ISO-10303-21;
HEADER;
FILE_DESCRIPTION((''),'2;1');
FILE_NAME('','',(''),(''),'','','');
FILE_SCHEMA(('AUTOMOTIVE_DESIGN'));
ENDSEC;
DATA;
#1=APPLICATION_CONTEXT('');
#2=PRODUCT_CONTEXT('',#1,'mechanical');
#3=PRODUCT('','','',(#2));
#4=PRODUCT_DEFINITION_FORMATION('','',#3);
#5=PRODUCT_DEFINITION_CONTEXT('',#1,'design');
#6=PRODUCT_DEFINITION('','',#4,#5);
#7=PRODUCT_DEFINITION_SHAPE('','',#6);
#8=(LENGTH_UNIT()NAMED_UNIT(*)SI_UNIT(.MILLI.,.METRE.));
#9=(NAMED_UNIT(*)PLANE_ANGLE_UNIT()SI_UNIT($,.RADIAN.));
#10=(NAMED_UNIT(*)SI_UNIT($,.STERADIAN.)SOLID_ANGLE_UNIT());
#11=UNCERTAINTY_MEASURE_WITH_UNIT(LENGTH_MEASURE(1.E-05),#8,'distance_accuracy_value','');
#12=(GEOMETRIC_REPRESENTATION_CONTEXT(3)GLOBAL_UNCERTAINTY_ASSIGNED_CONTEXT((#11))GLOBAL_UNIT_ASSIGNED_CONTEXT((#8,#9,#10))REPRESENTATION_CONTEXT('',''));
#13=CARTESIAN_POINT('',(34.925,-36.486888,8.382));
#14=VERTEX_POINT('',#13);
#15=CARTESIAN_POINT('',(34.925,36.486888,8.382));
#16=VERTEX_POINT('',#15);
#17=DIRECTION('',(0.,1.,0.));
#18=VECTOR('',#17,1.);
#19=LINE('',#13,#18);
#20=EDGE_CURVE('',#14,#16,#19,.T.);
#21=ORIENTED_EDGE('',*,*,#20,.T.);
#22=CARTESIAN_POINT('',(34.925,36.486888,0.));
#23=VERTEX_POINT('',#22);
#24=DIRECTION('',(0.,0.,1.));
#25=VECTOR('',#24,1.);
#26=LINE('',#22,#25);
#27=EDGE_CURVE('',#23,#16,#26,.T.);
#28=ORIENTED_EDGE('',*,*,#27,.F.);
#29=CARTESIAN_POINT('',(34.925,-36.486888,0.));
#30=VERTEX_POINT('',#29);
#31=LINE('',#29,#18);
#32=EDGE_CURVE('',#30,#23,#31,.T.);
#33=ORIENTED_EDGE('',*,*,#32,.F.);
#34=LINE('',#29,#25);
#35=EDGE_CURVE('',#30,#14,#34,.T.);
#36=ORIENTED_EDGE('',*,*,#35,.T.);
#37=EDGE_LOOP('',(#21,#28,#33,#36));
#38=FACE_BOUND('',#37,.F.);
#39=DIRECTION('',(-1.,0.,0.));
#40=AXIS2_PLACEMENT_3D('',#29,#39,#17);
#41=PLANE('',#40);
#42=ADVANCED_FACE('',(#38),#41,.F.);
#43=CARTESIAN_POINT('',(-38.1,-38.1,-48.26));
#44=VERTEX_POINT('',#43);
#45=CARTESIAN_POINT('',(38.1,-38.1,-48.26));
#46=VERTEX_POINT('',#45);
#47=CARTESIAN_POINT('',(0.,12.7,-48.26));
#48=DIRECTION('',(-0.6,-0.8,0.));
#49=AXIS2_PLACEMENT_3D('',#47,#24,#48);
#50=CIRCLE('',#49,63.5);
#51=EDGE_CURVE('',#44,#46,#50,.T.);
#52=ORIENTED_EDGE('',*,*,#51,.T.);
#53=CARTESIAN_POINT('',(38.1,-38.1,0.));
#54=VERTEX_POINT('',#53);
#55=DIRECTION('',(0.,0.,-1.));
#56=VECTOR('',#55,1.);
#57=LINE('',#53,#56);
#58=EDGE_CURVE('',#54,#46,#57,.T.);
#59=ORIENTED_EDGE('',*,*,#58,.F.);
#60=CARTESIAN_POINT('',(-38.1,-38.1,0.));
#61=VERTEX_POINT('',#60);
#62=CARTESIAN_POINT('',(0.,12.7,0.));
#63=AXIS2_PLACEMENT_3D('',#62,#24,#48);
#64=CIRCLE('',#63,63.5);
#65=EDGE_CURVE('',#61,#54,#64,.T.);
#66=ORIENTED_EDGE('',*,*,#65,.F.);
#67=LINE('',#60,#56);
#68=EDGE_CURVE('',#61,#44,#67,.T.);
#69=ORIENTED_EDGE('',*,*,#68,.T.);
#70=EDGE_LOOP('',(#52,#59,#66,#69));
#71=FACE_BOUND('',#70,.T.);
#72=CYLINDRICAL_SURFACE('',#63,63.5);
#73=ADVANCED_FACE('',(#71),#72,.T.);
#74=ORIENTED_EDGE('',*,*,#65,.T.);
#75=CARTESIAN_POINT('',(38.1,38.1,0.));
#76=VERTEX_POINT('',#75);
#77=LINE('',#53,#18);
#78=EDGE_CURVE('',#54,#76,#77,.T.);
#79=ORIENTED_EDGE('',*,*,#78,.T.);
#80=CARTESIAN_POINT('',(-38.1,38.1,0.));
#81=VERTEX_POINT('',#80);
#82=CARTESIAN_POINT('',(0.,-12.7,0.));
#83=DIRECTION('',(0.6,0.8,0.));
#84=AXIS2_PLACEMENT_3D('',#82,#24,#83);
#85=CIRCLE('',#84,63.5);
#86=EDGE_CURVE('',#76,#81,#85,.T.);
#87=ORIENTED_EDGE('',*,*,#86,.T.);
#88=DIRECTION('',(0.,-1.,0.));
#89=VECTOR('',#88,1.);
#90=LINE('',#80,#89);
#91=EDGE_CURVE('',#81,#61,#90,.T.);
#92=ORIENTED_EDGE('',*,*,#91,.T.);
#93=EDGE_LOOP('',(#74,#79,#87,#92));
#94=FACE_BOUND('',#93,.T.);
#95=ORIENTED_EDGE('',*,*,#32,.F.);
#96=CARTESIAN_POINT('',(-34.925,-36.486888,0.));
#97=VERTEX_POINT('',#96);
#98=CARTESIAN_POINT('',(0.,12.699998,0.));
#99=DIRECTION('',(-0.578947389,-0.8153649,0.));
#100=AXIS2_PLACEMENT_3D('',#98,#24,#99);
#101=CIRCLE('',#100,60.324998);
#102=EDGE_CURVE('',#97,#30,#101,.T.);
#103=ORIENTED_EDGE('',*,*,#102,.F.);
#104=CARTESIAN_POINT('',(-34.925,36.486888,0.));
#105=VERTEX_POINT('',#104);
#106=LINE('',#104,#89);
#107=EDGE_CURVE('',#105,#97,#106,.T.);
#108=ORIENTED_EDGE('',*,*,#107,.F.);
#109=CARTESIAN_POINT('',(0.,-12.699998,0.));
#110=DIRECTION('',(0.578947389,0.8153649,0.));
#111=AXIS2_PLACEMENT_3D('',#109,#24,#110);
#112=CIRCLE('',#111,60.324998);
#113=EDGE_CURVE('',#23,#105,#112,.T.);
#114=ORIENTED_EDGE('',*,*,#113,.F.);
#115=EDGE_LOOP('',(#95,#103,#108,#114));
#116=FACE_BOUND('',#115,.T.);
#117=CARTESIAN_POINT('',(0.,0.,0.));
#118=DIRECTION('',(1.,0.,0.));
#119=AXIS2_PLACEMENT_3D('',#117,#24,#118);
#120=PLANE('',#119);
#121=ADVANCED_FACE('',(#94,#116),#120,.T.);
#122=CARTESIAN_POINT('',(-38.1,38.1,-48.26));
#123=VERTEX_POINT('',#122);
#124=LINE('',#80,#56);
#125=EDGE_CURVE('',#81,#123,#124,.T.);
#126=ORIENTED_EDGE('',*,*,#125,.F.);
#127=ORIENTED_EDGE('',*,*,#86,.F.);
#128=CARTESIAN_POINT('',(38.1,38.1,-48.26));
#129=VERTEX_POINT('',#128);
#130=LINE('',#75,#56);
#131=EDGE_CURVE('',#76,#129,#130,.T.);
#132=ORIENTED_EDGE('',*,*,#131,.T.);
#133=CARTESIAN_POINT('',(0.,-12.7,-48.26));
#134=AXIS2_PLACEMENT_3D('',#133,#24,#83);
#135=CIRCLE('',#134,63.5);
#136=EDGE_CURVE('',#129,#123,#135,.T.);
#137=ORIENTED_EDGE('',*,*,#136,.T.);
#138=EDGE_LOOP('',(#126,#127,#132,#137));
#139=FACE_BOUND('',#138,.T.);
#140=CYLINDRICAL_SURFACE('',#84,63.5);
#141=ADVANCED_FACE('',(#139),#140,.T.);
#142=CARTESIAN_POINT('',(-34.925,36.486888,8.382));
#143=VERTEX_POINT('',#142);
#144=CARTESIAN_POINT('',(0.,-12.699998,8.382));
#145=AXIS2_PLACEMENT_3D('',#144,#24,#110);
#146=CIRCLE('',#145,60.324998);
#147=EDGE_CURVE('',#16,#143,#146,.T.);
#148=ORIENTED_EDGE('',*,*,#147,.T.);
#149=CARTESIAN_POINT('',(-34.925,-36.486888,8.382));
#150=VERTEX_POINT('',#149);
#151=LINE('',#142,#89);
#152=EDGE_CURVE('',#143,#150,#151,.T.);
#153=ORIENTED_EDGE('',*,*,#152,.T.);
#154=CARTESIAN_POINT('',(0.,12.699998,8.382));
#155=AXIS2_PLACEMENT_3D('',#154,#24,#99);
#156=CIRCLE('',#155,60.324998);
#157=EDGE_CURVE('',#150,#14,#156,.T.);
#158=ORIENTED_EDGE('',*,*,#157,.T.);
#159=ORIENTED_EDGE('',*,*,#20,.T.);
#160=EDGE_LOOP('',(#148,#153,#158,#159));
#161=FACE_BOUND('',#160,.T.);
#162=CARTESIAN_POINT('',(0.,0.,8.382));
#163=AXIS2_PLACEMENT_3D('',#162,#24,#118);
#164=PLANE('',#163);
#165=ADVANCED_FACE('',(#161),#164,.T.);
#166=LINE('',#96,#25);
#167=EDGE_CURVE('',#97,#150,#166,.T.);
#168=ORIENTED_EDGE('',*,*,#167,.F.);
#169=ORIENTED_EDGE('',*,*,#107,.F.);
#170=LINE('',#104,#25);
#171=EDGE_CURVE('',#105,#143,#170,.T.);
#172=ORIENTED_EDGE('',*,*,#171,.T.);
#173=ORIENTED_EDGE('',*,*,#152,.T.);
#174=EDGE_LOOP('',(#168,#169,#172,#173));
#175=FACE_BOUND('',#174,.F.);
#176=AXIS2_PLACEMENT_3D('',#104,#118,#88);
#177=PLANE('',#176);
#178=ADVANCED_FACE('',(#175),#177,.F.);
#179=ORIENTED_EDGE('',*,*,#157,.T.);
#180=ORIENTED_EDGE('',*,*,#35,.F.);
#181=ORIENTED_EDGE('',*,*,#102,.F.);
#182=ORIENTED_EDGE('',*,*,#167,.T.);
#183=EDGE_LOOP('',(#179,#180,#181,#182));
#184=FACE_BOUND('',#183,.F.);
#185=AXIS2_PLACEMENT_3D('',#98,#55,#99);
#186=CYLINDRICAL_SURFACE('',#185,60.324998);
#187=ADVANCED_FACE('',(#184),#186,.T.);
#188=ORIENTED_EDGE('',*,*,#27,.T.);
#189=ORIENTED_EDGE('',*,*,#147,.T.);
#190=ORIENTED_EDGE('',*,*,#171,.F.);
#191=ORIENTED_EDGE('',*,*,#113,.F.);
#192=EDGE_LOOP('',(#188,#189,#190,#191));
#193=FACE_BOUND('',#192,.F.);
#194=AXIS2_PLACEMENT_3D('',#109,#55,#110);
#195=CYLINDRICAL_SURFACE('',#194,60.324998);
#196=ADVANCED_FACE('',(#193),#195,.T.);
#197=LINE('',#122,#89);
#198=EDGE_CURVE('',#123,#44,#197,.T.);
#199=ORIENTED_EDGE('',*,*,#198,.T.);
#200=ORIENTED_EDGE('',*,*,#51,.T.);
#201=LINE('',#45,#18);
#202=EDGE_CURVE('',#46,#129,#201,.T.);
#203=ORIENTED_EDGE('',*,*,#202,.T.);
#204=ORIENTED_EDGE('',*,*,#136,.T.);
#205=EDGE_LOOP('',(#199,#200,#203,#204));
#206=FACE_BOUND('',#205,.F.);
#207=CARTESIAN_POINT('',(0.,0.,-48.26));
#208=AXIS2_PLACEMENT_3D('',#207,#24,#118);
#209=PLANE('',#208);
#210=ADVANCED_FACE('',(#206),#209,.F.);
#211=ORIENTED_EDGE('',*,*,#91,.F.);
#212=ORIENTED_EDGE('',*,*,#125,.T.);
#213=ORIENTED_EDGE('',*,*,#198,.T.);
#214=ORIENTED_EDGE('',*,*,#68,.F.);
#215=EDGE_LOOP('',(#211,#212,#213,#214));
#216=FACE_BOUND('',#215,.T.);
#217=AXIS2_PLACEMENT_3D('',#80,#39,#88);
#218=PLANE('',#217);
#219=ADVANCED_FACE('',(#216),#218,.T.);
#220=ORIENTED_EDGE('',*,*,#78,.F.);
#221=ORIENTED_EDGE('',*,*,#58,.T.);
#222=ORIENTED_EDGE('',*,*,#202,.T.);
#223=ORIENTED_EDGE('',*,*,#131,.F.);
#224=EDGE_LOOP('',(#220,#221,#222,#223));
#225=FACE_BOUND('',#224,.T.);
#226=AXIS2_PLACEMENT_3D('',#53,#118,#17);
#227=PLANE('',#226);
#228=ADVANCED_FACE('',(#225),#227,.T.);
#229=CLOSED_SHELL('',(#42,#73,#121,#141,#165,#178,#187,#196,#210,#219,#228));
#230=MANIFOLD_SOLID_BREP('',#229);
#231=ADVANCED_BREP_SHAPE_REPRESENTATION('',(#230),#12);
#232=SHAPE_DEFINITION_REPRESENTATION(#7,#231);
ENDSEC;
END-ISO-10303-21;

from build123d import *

# Parameters (mm, degrees)
F1_DEPTH = 48.26
F3_DEPTH = 8.382


with BuildPart() as f1:
    # F0 (on Top) → F1 (new body)
    with BuildSketch(Plane.XY):
        with BuildLine():
            ThreePointArc((-38.1, -38.1), (0, -50.8), (38.1, -38.1))
            Line((38.1, -38.1), (38.1, 38.1))
            ThreePointArc((38.1, 38.1), (0, 50.8), (-38.1, 38.1))
            Line((-38.1, 38.1), (-38.1, -38.1))
        make_face()
    extrude(amount=-F1_DEPTH)

    # F2 (on face) → F3 (join)
    with BuildSketch(Plane.XY):
        with BuildLine():
            Line((-34.925, 36.486888), (-34.925, -36.486888))
            ThreePointArc((-34.925, -36.486888), (0, -47.625), (34.925, -36.486888))
            Line((34.925, -36.486888), (34.925, 36.486888))
            ThreePointArc((34.925, 36.486888), (0, 47.625), (-34.925, 36.486888))
        make_face()
    extrude(amount=F3_DEPTH)


solid = f1.part
